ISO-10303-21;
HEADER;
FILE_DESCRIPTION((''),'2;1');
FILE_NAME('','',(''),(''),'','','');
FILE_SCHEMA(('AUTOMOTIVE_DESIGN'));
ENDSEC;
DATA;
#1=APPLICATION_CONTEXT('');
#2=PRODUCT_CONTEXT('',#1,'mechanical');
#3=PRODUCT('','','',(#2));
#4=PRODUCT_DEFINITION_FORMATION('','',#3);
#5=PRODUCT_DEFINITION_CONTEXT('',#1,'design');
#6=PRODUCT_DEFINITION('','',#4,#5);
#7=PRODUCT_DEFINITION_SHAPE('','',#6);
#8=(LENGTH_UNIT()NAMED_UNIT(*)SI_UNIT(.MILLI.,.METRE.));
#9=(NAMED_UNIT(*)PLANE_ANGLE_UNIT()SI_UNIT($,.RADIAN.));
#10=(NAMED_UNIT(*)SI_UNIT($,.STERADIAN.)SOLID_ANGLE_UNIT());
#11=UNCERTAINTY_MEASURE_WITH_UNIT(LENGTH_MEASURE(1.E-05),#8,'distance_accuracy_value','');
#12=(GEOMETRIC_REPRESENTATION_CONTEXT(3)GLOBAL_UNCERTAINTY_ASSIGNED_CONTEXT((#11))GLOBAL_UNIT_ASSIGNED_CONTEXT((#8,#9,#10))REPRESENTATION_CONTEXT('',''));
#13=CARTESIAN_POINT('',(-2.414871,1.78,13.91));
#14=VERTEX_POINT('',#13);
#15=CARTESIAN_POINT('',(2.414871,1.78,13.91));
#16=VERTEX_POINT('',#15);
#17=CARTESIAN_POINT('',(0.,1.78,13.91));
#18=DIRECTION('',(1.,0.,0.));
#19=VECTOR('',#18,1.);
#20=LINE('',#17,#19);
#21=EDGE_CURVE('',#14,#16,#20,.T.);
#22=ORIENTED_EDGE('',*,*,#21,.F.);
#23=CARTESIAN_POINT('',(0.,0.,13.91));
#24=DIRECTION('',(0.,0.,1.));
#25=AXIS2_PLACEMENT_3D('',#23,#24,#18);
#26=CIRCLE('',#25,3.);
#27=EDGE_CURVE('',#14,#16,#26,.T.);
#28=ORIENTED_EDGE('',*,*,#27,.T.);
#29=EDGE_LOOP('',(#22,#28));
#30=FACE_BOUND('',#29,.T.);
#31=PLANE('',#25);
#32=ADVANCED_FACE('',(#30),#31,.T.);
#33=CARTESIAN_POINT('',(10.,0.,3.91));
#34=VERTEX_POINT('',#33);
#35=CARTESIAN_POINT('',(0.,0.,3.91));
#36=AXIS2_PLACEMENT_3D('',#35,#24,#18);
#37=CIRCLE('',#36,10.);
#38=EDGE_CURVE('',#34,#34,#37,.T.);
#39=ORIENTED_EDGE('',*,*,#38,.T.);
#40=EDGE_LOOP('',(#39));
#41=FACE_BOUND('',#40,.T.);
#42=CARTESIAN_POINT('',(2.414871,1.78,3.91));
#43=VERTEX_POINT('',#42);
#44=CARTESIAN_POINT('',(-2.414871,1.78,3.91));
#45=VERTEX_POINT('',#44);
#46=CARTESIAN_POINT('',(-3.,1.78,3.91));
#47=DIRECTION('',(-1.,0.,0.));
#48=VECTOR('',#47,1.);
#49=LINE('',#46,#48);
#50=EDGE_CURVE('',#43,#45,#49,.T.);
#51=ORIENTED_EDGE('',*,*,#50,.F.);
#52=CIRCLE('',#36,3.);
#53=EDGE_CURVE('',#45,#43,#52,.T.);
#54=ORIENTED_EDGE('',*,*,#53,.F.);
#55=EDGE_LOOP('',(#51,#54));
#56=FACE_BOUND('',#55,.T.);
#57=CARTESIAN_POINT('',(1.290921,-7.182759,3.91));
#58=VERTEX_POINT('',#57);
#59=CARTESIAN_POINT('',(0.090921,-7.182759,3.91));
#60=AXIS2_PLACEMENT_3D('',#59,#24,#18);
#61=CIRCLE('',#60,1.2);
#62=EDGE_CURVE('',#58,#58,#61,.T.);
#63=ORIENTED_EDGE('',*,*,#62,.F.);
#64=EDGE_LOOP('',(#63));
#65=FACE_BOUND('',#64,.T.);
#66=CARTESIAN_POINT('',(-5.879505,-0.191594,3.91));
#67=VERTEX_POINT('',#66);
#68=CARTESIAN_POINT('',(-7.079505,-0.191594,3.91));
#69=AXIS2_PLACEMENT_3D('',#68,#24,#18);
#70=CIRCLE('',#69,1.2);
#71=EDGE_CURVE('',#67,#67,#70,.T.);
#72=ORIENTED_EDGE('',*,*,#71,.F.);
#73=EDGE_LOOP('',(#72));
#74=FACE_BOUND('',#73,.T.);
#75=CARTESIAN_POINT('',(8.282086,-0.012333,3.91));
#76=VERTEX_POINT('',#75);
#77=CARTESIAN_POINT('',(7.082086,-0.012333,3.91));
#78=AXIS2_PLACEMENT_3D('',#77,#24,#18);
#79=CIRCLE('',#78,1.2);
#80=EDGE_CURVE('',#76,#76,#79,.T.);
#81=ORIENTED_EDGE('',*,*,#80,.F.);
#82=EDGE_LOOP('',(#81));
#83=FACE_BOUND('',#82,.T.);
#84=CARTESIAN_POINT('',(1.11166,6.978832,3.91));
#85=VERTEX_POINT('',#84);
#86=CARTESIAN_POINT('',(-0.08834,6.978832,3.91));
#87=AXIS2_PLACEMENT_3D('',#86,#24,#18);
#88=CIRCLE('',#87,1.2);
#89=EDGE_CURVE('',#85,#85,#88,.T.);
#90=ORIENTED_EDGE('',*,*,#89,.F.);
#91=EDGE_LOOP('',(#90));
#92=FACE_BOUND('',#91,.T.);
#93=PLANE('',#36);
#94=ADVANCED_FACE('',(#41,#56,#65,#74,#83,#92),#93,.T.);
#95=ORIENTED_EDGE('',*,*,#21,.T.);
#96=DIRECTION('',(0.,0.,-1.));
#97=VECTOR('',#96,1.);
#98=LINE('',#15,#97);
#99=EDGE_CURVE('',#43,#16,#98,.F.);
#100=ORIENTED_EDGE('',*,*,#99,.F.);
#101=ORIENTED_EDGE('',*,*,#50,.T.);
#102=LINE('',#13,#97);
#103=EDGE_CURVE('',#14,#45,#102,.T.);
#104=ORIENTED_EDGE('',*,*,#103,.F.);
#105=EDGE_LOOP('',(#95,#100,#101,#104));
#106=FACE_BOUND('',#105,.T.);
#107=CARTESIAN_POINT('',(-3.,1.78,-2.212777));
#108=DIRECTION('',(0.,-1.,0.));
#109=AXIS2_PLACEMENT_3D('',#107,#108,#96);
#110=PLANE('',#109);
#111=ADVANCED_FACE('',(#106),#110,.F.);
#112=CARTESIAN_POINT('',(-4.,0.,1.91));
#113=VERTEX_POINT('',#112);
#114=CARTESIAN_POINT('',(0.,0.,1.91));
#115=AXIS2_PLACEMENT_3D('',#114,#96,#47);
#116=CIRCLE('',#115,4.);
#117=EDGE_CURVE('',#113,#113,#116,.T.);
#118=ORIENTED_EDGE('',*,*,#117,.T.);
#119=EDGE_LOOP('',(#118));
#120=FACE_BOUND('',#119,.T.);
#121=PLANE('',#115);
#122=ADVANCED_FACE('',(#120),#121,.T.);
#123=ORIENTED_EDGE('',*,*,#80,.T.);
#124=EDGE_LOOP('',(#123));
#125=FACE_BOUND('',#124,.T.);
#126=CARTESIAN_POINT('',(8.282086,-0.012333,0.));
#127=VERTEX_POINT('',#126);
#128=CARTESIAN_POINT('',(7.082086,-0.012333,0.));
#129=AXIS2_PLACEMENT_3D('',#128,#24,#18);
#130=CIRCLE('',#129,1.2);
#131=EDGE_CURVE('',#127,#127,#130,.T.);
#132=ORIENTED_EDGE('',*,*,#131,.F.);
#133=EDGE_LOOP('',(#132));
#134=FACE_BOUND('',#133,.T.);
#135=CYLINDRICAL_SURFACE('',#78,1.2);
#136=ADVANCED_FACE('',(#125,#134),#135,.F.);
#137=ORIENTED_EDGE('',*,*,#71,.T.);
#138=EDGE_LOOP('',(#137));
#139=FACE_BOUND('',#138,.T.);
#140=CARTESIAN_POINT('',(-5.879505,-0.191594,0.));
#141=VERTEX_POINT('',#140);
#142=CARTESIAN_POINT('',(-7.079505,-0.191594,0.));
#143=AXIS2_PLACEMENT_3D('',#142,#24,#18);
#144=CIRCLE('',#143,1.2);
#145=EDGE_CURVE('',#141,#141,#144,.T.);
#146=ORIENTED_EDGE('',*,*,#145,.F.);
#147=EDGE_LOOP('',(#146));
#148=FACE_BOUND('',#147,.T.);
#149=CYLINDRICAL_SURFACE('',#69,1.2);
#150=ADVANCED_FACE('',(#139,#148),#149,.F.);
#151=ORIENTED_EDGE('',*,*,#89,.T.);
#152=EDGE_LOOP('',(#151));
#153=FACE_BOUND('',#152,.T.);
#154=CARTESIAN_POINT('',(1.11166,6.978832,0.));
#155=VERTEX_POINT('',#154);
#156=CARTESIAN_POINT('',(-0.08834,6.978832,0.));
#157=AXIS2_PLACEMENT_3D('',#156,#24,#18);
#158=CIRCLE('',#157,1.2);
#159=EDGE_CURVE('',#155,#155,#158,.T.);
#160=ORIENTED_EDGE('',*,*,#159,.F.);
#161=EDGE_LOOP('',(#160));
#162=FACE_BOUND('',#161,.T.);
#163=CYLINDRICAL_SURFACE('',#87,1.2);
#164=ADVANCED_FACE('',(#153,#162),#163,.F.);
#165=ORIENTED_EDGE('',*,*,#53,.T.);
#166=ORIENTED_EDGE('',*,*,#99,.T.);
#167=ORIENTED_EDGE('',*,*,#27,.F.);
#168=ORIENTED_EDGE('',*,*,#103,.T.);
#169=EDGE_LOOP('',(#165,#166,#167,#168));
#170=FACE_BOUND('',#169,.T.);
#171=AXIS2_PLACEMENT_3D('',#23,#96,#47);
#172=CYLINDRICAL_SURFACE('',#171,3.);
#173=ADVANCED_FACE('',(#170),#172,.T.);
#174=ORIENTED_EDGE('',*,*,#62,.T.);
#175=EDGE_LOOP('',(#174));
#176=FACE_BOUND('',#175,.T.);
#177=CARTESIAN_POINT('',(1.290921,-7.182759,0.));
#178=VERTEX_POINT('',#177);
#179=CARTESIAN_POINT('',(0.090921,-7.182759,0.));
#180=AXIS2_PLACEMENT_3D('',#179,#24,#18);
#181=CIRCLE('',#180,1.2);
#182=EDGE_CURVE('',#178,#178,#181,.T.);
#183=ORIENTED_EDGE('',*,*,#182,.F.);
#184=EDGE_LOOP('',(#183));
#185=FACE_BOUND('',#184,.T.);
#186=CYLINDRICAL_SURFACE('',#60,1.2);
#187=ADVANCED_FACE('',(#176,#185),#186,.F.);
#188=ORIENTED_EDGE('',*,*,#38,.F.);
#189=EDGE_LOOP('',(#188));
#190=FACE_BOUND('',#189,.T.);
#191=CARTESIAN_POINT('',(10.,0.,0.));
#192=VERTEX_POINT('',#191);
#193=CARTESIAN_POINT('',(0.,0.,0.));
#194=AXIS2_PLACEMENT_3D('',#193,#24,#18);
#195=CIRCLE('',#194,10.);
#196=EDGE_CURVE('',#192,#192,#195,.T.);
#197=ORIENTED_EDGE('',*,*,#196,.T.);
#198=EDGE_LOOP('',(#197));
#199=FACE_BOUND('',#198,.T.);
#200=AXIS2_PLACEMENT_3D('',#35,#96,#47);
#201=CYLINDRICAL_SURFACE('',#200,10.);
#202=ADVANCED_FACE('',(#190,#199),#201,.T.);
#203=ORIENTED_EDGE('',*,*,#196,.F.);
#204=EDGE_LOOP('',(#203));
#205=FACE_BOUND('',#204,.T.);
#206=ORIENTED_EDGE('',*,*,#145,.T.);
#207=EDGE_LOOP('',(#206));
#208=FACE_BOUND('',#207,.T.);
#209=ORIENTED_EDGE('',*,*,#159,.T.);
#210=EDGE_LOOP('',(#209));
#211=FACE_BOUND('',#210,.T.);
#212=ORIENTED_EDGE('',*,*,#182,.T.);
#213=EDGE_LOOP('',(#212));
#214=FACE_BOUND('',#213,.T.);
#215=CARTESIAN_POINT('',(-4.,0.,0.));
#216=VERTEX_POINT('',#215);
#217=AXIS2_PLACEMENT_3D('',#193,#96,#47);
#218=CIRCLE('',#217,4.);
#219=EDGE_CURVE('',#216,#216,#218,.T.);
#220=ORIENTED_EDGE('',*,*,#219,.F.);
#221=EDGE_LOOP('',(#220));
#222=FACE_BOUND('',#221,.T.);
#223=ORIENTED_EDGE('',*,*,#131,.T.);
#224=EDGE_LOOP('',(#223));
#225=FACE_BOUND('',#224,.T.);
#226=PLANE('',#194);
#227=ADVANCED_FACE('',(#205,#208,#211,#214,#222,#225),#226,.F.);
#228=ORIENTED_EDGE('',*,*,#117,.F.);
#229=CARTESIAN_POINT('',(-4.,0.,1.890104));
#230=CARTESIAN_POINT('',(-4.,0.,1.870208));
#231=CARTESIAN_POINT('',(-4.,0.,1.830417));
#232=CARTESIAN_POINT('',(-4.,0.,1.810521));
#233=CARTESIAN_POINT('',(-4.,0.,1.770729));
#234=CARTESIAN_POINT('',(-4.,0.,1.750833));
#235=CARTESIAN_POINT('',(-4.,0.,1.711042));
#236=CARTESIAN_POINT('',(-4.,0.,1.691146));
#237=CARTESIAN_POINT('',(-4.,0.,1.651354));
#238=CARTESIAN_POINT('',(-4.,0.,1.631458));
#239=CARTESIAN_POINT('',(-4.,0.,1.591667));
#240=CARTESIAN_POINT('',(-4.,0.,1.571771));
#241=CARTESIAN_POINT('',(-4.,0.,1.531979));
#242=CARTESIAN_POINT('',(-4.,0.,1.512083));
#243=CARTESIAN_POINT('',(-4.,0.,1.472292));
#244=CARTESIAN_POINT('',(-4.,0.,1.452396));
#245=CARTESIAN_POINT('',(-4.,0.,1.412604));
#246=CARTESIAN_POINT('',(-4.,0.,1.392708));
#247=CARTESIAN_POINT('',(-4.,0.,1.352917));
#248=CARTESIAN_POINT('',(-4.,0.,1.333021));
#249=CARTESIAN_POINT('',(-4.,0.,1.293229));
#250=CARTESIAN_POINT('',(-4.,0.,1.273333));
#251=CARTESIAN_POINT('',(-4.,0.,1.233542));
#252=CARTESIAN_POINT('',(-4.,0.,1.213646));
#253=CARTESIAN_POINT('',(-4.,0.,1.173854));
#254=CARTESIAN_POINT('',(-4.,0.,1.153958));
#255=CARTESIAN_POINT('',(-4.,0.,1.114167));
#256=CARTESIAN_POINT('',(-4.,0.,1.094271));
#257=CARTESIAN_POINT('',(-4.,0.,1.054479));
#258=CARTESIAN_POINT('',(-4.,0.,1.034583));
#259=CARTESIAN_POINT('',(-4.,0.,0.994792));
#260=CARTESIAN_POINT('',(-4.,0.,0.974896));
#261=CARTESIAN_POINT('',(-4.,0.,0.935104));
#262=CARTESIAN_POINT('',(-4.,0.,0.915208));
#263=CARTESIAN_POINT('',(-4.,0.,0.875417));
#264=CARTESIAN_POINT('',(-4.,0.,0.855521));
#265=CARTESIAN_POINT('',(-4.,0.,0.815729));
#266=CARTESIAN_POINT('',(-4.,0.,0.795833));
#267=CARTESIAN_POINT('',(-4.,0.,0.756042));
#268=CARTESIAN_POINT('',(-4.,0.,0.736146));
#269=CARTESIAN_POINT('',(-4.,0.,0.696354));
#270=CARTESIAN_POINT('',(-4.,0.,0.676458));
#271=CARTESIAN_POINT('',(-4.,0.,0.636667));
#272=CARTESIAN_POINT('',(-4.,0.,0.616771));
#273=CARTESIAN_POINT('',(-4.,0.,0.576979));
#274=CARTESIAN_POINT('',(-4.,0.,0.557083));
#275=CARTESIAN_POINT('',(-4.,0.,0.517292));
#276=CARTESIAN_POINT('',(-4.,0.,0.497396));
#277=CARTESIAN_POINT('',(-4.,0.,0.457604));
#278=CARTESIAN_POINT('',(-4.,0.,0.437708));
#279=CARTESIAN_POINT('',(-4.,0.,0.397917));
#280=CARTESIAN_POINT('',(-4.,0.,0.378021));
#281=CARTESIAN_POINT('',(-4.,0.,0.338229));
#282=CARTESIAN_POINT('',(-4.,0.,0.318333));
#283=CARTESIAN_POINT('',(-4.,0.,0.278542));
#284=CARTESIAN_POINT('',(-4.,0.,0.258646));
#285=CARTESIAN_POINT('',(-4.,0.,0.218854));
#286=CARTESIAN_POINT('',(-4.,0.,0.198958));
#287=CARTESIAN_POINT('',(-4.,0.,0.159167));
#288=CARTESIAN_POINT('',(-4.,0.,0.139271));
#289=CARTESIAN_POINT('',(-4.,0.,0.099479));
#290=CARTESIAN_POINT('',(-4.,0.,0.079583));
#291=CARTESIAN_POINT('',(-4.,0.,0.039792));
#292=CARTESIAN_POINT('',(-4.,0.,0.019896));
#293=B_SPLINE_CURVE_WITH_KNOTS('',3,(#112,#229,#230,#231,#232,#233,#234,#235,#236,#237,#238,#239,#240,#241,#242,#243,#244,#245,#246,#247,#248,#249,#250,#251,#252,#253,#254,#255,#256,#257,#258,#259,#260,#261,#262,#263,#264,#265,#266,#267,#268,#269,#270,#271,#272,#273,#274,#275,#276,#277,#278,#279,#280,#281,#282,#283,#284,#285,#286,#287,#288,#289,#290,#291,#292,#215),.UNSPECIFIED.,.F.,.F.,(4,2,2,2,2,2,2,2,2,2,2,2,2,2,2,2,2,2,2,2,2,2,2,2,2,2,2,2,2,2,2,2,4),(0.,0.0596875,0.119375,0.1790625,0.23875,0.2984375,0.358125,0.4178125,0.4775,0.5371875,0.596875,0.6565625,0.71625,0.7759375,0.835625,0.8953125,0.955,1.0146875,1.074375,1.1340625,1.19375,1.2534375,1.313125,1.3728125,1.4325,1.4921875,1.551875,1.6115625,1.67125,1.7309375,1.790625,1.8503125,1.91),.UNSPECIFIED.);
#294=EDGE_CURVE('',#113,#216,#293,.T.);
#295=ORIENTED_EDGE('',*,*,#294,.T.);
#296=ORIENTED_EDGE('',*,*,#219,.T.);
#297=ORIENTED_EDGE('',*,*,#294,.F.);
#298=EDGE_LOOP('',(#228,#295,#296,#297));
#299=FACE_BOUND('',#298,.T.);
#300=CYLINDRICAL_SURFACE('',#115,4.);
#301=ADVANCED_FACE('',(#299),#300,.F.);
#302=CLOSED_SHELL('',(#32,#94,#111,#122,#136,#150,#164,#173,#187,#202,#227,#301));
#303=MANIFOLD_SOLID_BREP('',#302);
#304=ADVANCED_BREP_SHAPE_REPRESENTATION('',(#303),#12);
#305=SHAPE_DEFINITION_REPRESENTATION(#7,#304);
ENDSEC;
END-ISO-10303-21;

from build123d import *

# Parameters (mm, degrees)
ESQUISSE1_R                  = 10
BOSS_EXTRU_1_DEPTH           = 3.91
D_GAGEMENT_M21_D             = 2.4
R_P_TITION_CIRCULAIRE1_COUNT = 4
ESQUISSE4_R                  = 3
BOSS_EXTRU_2_DEPTH           = 10
ESQUISSE5_W                  = 6
ESQUISSE5_H                  = 1.22
ENL_V_MAT_EXTRU_1_DEPTH      = 10
ESQUISSE6_R                  = 4
ENL_V_MAT_EXTRU_2_DEPTH      = 1.91


with BuildPart() as part:
    # Esquisse1 → Boss.-Extru.1 (new body)
    with BuildSketch(Plane.XY):
        Circle(ESQUISSE1_R)
    extrude(amount=BOSS_EXTRU_1_DEPTH)

    # Dégagement M21 (through all)
    with Locations(Plane(origin=(-0.088339646, 6.978832002, 3.91), x_dir=(1, 0, 0), z_dir=(0, 0, 1))):
        with Locations((0, 0)):
            d_gagement_m21 = Hole(D_GAGEMENT_M21_D / 2)

    # Répétition circulaire1: Dégagement M21 ×4 about axis
    r_p_tition_circulaire1_axis = Axis((0.001290677, -0.101963455, 0), (0, 0, 1))
    for i in range(1, R_P_TITION_CIRCULAIRE1_COUNT):
        add(d_gagement_m21.rotate(r_p_tition_circulaire1_axis, i * 360 / R_P_TITION_CIRCULAIRE1_COUNT), mode=Mode.SUBTRACT)

    # Esquisse4 → Boss.-Extru.2 (add)
    with BuildSketch(Plane.XY.offset(3.91)):
        Circle(ESQUISSE4_R)
    extrude(amount=BOSS_EXTRU_2_DEPTH)

    # Esquisse5 → Enlèv. mat.-Extru.1 (cut)
    with BuildSketch(Plane.XY.offset(13.91)):
        with Locations((0, 2.39)):
            Rectangle(ESQUISSE5_W, ESQUISSE5_H)
    extrude(amount=-ENL_V_MAT_EXTRU_1_DEPTH, mode=Mode.SUBTRACT)

    # Esquisse6 → Enlèv. mat.-Extru.2 (cut)
    with BuildSketch(Plane(origin=(0, 0, 0), x_dir=(-1, 0, 0), z_dir=(0, 0, -1))):
        Circle(ESQUISSE6_R)
    extrude(amount=-ENL_V_MAT_EXTRU_2_DEPTH, mode=Mode.SUBTRACT)


solid = part.part
